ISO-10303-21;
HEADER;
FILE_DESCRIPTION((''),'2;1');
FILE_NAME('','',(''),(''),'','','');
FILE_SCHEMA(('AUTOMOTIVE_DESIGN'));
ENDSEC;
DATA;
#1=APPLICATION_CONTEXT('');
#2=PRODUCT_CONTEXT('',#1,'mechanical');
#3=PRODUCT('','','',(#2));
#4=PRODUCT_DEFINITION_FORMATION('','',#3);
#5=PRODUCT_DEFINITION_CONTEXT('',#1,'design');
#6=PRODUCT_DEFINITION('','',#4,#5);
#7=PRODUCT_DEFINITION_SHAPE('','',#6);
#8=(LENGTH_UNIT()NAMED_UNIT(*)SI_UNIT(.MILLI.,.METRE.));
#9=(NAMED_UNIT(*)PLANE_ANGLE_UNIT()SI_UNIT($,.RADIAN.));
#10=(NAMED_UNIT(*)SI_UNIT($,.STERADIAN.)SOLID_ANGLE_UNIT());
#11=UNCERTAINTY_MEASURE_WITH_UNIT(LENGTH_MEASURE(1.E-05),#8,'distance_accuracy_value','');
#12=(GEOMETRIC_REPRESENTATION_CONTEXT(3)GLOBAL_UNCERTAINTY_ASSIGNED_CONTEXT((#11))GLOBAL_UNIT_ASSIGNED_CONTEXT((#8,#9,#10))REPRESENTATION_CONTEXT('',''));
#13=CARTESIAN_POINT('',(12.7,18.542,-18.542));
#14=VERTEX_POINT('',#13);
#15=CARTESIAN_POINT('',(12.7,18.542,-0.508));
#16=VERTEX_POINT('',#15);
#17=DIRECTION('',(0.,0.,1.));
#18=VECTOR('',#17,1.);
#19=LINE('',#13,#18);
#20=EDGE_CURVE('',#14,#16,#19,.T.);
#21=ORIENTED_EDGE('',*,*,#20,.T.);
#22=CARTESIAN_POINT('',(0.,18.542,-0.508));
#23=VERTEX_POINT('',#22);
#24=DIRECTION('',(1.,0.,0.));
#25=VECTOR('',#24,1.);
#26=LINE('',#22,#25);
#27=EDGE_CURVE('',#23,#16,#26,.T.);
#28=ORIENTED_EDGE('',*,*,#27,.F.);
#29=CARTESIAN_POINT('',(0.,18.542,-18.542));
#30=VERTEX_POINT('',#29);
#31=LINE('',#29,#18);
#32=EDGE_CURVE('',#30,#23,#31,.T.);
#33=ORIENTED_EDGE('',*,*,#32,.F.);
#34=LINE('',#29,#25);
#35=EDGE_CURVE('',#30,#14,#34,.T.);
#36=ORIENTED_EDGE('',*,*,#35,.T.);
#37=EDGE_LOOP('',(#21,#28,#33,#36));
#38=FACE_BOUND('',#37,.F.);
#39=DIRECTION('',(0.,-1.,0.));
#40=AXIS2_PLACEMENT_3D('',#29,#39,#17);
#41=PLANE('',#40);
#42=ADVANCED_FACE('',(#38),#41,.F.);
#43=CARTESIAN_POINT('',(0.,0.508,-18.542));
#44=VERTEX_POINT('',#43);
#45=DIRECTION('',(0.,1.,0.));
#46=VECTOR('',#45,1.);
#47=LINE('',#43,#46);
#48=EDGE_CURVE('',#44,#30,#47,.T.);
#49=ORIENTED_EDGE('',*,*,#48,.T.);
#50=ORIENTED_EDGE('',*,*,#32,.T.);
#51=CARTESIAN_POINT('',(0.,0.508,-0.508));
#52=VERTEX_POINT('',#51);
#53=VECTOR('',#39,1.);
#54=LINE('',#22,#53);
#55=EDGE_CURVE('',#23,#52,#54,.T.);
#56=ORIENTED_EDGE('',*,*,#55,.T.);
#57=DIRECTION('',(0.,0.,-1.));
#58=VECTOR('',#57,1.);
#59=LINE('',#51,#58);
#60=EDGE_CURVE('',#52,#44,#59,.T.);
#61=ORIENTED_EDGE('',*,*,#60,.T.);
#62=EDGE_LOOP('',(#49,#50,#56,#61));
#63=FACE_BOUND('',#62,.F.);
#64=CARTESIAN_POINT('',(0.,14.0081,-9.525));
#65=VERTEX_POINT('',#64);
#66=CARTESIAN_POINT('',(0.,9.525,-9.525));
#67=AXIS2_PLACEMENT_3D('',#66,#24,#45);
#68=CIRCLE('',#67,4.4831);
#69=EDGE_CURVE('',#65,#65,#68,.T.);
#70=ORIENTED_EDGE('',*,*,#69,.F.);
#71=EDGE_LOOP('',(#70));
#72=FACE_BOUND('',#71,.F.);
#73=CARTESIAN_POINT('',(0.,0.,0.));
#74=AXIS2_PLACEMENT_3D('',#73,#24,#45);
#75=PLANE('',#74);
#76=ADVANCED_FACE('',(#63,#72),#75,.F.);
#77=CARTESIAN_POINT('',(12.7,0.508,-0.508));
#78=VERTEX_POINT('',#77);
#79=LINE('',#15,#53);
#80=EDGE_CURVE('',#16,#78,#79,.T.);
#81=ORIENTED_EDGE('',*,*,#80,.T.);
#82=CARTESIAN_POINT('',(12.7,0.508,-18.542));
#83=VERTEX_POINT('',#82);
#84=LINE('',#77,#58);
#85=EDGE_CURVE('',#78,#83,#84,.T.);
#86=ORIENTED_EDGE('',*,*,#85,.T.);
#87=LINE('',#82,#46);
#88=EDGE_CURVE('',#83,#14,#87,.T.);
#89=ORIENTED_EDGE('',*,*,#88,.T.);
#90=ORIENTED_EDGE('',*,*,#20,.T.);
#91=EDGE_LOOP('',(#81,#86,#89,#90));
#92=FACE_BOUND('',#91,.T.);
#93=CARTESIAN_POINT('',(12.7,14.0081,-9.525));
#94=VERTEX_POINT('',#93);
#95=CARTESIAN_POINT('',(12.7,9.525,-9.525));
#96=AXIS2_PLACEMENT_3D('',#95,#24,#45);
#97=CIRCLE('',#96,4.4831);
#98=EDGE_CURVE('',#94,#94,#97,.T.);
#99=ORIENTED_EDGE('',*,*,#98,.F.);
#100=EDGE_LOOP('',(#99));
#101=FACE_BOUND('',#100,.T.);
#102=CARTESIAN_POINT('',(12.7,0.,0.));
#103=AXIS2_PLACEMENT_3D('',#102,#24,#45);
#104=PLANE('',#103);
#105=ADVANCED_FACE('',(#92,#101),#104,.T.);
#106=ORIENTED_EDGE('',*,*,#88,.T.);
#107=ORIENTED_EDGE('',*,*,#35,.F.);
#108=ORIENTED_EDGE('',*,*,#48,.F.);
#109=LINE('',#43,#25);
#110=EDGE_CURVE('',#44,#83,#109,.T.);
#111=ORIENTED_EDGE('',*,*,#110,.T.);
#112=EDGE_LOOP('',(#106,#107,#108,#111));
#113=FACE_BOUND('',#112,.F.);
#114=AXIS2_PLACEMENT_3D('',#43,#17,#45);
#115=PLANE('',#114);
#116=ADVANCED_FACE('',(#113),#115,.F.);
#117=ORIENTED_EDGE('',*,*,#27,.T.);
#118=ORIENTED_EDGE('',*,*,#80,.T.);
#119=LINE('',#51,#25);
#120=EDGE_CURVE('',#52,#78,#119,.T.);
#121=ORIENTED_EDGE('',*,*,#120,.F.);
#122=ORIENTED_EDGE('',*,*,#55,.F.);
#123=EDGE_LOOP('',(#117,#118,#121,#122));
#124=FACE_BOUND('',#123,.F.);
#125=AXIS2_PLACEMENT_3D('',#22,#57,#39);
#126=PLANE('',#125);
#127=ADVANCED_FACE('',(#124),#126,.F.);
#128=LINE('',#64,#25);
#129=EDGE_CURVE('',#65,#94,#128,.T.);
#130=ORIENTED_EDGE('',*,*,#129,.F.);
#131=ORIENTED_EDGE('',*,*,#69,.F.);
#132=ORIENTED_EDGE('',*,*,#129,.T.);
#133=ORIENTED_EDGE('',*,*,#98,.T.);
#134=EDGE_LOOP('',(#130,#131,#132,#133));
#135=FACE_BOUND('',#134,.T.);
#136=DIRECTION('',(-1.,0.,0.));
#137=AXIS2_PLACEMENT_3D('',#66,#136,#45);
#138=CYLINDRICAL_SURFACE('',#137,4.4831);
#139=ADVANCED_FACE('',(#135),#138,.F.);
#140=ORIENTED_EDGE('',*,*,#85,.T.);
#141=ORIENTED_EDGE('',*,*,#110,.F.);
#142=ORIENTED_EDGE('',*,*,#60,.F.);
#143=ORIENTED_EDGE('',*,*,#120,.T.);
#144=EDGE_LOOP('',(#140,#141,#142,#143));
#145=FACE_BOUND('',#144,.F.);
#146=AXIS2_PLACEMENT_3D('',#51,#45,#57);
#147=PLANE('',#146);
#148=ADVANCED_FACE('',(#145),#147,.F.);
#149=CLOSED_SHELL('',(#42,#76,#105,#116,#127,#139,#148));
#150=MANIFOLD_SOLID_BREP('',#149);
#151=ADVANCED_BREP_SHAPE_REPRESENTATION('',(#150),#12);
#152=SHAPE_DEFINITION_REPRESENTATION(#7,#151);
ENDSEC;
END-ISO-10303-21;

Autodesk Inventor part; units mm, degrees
ref_plane "YZ Plane" through (0, 0, 0) normal (1, 0, 0) x (0, 1, 0)
ref_plane "XZ Plane" through (0, 0, 0) normal (0, 1, 0) x (-1, 0, 0)
ref_plane "XY Plane" through (0, 0, 0) normal (0, 0, 1) x (1, 0, 0)
sketch "Sketch1" plane through (0, 0, 0) normal (1, 0, 0) x (0, 1, 0)
  line L0 (18.542, -0.508) -> (0.508, -0.508)
  line L1 (0.508, -0.508) -> (0.508, -18.542)
  line L2 (0.508, -18.542) -> (18.542, -18.542)
  line L3 (18.542, -18.542) -> (18.542, -0.508)
  circle A0 centre (9.525, -9.525) radius 4.4831
extrude "Extrusion1" add sketch "Sketch1" along normal blind 12.7
properties part number "End Piece Corrected 0.02 Inch"
